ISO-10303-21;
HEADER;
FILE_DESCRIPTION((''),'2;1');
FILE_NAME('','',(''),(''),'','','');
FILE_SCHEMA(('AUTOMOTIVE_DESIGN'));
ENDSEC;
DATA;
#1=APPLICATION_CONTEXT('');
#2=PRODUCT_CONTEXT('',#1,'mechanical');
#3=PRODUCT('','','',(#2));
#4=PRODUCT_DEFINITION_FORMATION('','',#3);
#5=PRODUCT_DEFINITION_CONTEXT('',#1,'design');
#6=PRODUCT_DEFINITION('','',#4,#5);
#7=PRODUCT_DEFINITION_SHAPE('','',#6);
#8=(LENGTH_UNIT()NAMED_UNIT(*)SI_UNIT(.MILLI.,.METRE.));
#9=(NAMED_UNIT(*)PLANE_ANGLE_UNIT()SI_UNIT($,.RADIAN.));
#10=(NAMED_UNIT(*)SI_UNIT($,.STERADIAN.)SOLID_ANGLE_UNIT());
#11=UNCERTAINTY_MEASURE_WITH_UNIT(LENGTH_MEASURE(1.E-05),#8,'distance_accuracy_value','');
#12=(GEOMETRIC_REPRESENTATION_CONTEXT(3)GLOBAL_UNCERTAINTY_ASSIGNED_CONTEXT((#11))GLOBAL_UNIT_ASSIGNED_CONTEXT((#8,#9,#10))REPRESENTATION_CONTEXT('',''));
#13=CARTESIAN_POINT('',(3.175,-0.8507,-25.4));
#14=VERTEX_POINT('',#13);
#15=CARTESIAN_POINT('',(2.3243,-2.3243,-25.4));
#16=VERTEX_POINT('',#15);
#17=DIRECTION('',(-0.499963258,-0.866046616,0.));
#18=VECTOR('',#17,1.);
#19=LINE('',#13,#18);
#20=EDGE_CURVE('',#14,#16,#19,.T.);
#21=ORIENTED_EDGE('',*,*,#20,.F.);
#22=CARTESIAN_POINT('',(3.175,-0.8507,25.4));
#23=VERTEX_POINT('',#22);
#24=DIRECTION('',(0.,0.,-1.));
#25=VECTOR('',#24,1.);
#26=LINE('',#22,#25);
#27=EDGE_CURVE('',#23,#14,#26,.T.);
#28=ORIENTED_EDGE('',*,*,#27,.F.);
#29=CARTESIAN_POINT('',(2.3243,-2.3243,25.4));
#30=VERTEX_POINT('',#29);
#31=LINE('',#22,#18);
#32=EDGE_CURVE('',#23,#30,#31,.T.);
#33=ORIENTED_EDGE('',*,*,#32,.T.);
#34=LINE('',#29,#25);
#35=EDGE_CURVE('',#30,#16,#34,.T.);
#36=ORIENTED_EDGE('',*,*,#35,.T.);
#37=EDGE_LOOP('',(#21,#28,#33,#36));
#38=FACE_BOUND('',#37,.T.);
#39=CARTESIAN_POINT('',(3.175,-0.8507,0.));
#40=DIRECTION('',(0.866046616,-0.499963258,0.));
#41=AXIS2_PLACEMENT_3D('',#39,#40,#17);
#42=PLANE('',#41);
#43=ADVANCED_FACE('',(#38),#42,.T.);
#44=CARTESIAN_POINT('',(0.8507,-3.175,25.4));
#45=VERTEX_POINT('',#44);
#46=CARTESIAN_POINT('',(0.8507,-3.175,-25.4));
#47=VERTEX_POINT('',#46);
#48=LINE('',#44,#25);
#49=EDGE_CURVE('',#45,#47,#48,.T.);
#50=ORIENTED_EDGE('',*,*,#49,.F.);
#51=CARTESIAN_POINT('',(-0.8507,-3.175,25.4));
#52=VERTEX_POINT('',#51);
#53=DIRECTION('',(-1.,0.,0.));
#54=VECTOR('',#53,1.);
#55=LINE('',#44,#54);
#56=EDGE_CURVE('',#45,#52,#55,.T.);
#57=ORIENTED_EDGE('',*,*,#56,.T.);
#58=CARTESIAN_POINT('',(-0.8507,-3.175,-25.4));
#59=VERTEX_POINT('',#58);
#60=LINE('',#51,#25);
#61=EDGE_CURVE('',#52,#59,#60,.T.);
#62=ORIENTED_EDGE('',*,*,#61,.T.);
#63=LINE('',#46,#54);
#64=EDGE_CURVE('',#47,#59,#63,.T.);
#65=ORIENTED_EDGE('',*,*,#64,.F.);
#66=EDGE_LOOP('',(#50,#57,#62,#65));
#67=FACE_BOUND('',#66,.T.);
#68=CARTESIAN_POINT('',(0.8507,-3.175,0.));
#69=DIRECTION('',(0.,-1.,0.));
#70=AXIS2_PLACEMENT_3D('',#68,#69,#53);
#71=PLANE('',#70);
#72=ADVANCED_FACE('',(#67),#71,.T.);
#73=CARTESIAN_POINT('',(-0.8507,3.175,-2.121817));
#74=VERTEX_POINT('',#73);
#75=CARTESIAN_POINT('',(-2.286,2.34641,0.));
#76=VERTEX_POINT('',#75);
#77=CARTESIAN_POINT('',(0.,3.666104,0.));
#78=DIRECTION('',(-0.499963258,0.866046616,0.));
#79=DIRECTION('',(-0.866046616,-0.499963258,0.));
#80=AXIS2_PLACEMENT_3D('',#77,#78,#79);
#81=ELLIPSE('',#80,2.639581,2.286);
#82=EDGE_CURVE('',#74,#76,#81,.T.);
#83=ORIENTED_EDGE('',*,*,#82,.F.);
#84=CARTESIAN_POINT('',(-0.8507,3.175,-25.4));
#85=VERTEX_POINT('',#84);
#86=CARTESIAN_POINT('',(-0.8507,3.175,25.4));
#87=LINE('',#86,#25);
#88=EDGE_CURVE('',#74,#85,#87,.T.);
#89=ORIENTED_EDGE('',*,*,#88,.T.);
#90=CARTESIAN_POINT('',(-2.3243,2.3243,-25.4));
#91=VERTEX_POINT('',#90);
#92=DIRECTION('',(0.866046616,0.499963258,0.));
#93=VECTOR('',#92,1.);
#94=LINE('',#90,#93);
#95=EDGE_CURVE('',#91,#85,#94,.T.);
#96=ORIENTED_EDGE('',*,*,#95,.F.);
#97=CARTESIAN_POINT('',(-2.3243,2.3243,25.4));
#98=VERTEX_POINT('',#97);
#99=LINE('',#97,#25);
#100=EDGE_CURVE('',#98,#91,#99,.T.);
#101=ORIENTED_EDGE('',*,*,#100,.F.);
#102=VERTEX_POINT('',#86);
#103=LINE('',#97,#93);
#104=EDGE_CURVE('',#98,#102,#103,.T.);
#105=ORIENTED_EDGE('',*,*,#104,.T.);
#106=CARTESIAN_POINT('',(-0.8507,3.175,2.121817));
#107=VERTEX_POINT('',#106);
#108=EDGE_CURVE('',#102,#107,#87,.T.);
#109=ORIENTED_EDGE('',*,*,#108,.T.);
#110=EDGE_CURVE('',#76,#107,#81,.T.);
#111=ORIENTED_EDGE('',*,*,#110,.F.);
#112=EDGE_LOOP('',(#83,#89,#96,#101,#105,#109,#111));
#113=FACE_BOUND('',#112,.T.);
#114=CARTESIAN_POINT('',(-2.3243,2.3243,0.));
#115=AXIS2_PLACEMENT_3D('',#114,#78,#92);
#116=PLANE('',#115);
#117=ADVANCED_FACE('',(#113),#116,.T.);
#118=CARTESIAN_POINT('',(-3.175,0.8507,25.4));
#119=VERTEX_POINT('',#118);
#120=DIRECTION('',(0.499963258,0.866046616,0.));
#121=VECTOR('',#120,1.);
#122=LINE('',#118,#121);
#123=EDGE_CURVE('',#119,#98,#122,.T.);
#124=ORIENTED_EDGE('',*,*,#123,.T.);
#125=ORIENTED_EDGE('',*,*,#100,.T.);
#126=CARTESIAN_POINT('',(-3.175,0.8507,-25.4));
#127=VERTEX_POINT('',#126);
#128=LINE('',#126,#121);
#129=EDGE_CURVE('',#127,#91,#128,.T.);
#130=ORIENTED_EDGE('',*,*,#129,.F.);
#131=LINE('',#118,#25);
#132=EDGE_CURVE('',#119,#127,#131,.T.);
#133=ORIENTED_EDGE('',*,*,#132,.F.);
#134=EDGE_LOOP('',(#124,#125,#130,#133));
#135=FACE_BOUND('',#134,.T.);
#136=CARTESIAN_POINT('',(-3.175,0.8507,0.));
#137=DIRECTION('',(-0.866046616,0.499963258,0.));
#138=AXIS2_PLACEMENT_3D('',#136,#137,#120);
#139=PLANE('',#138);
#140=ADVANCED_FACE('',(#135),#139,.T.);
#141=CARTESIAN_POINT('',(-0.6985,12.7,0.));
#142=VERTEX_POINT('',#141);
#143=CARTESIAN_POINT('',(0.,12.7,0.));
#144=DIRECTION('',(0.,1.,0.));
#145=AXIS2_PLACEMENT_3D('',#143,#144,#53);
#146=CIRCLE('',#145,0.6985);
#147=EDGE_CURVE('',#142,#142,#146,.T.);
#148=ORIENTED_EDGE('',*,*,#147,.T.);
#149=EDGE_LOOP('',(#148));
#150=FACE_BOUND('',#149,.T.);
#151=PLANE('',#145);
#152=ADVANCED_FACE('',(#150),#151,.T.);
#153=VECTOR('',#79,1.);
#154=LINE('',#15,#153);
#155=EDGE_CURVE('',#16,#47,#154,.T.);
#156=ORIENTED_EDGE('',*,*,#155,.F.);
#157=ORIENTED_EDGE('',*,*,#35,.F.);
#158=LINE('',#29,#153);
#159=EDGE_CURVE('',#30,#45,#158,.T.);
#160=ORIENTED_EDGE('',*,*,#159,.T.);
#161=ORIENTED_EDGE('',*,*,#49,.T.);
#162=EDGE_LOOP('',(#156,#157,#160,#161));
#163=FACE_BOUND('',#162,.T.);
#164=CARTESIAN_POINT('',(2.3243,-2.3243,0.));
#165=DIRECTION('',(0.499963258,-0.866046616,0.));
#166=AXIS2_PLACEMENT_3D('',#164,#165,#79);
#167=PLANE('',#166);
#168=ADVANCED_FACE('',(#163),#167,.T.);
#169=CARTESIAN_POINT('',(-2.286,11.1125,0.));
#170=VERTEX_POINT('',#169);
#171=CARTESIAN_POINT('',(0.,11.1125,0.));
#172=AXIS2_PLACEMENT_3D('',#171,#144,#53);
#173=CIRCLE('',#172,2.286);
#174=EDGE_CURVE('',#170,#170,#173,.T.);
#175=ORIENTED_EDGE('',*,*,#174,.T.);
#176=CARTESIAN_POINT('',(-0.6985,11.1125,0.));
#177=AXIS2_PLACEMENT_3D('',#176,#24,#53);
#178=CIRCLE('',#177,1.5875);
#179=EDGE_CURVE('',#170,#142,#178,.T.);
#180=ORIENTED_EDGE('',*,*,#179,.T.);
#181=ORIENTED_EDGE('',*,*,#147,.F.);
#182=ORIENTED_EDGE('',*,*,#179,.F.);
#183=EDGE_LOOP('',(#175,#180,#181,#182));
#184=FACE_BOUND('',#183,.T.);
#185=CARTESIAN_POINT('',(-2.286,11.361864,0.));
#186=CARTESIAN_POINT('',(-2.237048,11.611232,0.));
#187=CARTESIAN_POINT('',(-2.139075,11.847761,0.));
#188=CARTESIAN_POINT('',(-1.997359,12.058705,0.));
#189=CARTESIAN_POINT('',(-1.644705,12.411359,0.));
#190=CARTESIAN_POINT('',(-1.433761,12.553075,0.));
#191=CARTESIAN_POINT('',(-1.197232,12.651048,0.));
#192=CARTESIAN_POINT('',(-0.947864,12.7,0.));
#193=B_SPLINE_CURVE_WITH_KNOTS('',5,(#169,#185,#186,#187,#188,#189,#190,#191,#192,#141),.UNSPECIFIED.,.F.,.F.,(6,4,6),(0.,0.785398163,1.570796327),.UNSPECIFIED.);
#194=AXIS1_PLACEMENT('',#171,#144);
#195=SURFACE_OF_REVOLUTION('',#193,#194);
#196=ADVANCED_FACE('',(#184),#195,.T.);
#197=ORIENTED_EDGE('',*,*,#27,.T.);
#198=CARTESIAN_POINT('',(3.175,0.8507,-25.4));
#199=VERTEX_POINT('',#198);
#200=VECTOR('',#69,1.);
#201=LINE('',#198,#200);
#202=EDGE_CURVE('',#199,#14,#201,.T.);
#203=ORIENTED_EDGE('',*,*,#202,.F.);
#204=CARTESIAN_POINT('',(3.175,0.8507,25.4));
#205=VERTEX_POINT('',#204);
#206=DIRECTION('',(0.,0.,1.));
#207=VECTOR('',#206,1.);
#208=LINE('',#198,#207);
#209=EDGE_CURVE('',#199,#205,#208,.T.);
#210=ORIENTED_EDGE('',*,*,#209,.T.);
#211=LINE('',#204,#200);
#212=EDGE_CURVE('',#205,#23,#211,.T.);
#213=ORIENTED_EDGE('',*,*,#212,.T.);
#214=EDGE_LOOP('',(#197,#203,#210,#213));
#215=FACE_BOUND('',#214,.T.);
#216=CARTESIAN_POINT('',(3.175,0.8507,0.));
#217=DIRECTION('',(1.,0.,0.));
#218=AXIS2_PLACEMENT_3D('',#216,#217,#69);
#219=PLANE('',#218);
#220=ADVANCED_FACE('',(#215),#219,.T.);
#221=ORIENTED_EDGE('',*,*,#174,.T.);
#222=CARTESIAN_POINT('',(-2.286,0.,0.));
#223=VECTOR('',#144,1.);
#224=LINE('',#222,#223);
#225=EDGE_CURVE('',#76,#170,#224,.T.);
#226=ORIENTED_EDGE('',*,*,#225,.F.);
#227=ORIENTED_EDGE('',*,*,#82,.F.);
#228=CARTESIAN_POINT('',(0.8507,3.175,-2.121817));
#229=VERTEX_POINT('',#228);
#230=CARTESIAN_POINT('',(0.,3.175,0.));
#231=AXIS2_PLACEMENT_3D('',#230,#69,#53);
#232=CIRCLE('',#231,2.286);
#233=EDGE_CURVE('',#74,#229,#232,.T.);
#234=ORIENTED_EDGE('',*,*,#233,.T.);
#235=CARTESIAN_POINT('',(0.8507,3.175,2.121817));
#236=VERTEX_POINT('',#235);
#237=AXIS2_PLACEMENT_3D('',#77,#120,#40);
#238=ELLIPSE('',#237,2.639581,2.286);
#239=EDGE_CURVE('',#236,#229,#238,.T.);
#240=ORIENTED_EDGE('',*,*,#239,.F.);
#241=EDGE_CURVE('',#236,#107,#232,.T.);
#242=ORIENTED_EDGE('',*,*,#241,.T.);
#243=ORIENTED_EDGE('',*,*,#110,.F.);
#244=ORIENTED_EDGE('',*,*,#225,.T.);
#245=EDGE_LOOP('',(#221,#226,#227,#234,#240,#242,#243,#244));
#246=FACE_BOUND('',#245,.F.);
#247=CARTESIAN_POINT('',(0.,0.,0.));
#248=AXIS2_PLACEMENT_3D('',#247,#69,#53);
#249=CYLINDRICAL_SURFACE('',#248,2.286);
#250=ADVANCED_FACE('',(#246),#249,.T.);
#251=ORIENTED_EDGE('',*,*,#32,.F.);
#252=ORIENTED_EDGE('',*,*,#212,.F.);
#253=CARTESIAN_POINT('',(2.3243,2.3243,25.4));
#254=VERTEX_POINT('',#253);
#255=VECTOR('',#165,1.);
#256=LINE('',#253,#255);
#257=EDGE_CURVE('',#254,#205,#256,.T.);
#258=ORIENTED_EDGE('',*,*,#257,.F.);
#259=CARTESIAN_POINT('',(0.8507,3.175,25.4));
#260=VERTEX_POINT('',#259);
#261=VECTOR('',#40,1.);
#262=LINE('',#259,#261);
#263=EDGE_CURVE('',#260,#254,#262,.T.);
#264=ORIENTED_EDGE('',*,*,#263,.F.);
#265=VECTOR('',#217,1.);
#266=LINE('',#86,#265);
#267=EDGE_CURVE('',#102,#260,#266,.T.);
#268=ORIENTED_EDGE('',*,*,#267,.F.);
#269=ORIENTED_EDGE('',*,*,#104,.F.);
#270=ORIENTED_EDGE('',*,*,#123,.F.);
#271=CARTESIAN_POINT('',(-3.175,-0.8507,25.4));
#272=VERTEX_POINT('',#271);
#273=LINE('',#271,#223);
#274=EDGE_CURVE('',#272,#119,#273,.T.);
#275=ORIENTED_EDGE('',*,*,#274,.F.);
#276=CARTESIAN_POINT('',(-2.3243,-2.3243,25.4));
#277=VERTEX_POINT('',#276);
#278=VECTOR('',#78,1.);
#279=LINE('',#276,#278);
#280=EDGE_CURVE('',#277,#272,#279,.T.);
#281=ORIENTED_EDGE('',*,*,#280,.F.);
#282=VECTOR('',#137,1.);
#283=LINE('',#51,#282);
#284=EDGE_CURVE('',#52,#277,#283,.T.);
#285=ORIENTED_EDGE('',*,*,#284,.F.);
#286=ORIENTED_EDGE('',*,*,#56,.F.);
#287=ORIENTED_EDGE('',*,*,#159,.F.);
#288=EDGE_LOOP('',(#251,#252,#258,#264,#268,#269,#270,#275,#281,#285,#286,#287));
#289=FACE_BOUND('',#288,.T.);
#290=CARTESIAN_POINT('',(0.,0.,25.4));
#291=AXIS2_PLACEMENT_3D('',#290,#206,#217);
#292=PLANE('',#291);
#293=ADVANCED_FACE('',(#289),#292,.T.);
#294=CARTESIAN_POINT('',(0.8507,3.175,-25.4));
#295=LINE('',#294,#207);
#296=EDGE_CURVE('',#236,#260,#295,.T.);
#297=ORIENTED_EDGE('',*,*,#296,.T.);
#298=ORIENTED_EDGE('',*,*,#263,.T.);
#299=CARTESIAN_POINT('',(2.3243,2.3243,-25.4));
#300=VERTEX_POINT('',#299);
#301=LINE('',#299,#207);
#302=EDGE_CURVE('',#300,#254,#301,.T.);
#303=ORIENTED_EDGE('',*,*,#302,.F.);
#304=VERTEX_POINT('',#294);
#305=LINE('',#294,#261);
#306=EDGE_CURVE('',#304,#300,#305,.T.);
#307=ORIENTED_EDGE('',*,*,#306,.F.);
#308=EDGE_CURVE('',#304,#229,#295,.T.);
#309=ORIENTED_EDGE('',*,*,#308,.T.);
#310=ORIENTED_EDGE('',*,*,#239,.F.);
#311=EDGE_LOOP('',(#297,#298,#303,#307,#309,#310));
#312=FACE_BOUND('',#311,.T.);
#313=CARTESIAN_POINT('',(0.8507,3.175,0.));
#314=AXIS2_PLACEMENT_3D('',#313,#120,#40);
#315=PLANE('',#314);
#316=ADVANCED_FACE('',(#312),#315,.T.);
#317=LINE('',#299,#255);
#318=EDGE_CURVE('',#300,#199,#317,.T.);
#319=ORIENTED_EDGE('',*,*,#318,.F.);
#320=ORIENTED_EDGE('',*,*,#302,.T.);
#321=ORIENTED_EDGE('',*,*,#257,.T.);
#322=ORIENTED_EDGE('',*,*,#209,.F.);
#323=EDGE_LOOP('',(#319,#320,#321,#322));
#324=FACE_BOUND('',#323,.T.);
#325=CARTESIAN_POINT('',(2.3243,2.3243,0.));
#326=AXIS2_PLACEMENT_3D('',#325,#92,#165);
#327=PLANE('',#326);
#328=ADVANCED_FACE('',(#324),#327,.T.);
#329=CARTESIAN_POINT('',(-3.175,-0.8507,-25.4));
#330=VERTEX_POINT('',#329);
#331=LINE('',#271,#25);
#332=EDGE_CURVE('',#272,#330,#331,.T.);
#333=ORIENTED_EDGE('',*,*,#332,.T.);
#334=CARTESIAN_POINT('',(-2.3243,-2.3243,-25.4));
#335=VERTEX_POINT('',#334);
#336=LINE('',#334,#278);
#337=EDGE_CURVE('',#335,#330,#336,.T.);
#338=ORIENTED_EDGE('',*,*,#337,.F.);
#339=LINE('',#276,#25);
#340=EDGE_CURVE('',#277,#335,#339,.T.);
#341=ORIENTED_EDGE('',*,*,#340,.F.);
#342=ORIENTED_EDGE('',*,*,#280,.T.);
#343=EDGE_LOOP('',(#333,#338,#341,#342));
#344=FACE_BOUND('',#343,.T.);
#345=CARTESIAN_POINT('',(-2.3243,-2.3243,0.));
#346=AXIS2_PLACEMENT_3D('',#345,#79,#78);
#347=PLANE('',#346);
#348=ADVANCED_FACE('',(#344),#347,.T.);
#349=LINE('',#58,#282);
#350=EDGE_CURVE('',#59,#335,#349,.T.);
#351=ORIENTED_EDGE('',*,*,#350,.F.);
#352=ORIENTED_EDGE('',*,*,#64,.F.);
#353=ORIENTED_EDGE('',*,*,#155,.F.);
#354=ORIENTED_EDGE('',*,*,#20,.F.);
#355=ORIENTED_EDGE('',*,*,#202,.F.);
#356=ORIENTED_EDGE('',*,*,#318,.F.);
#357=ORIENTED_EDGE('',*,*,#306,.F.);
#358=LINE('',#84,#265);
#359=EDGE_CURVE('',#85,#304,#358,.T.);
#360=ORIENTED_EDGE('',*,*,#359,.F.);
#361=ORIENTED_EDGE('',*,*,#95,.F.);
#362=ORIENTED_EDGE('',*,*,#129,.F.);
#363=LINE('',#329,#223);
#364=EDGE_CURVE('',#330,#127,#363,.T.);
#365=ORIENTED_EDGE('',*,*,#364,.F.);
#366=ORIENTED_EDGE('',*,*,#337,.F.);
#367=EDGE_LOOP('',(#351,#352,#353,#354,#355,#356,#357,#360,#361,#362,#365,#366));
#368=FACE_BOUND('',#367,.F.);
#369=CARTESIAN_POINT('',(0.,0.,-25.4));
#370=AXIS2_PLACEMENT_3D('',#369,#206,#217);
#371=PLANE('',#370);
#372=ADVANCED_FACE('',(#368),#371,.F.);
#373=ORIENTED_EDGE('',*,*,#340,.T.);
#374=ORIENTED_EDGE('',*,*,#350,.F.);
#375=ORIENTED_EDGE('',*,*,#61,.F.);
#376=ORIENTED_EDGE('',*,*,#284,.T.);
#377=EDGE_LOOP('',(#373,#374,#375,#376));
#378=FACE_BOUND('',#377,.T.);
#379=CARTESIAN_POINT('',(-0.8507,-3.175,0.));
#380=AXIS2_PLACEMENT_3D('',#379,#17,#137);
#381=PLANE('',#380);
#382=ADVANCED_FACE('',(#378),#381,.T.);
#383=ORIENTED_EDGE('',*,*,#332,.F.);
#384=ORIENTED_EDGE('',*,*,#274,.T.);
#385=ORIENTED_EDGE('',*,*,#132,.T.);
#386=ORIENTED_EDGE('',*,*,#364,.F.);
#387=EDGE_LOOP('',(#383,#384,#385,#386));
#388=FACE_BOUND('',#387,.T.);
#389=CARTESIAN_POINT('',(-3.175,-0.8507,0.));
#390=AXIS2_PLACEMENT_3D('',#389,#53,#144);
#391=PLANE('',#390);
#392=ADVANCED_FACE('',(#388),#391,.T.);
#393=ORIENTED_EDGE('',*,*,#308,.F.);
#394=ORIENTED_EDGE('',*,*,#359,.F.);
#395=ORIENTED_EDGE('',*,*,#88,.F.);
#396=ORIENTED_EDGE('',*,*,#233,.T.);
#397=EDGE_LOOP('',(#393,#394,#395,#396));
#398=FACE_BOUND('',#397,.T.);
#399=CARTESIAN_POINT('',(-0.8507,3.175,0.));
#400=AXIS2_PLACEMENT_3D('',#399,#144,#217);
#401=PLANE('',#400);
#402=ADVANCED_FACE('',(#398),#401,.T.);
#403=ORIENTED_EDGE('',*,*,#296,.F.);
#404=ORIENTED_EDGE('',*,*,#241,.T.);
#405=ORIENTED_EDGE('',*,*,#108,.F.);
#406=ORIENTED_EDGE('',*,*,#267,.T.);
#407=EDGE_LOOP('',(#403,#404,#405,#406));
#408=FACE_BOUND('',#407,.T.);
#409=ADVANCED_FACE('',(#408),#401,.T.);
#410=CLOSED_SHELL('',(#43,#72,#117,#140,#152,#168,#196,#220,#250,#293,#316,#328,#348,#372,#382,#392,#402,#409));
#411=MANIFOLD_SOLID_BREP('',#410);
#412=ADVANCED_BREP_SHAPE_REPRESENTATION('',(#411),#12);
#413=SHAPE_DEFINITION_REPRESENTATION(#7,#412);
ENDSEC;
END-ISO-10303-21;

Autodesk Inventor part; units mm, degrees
ref_plane "YZ Plane" through (0, 0, 0) normal (1, 0, 0) x (0, 1, 0)
ref_plane "XZ Plane" through (0, 0, 0) normal (0, 1, 0) x (-1, 0, 0)
ref_plane "XY Plane" through (0, 0, 0) normal (0, 0, 1) x (1, 0, 0)
sketch "Sketch1" plane through (0, 0, 0) normal (0, 0, 1) x (1, 0, 0)
  line L0 (3.175, 0.8507) -> (3.175, -0.8507)
  line L1 (3.175, -0.8507) -> (2.3243, -2.3243)
  line L2 (2.3243, -2.3243) -> (0.8507, -3.175)
  line L3 (0.8507, -3.175) -> (-0.8507, -3.175)
  line L4 (-0.8507, -3.175) -> (-2.3243, -2.3243)
  line L5 (-2.3243, -2.3243) -> (-3.175, -0.8507)
  line L6 (-3.175, -0.8507) -> (-3.175, 0.8507)
  line L7 (-3.175, 0.8507) -> (-2.3243, 2.3243)
  line L8 (-2.3243, 2.3243) -> (-0.8507, 3.175)
  line L9 (-0.8507, 3.175) -> (0.8507, 3.175)
  line L10 (0.8507, 3.175) -> (2.3243, 2.3243)
  line L11 (2.3243, 2.3243) -> (3.175, 0.8507)
  line L12 (0, 0) -> (0, 3.175) construction
  dimension "d9" = 6.35
extrude "Extrusion1" add sketch "Sketch1" along normal blind 25.4 and the other way blind 25.4
sketch "Sketch2" plane through (0, 0, 0) normal (0, 1, 0) x (-1, 0, 0)
  circle A0 centre (0, 0) radius 2.286
  dimension "diamCamSlot" = 4.572
extrude "Extrusion2" add sketch "Sketch2" along normal blind 12.7
fillet "Fillet1" radius 1.5875 1 edges at (2.286, 12.7, 0)
equation "\"d9\" = camDiam"
equation "\"camDiam\" = 6.35"
properties part number "vexCamPost10"
